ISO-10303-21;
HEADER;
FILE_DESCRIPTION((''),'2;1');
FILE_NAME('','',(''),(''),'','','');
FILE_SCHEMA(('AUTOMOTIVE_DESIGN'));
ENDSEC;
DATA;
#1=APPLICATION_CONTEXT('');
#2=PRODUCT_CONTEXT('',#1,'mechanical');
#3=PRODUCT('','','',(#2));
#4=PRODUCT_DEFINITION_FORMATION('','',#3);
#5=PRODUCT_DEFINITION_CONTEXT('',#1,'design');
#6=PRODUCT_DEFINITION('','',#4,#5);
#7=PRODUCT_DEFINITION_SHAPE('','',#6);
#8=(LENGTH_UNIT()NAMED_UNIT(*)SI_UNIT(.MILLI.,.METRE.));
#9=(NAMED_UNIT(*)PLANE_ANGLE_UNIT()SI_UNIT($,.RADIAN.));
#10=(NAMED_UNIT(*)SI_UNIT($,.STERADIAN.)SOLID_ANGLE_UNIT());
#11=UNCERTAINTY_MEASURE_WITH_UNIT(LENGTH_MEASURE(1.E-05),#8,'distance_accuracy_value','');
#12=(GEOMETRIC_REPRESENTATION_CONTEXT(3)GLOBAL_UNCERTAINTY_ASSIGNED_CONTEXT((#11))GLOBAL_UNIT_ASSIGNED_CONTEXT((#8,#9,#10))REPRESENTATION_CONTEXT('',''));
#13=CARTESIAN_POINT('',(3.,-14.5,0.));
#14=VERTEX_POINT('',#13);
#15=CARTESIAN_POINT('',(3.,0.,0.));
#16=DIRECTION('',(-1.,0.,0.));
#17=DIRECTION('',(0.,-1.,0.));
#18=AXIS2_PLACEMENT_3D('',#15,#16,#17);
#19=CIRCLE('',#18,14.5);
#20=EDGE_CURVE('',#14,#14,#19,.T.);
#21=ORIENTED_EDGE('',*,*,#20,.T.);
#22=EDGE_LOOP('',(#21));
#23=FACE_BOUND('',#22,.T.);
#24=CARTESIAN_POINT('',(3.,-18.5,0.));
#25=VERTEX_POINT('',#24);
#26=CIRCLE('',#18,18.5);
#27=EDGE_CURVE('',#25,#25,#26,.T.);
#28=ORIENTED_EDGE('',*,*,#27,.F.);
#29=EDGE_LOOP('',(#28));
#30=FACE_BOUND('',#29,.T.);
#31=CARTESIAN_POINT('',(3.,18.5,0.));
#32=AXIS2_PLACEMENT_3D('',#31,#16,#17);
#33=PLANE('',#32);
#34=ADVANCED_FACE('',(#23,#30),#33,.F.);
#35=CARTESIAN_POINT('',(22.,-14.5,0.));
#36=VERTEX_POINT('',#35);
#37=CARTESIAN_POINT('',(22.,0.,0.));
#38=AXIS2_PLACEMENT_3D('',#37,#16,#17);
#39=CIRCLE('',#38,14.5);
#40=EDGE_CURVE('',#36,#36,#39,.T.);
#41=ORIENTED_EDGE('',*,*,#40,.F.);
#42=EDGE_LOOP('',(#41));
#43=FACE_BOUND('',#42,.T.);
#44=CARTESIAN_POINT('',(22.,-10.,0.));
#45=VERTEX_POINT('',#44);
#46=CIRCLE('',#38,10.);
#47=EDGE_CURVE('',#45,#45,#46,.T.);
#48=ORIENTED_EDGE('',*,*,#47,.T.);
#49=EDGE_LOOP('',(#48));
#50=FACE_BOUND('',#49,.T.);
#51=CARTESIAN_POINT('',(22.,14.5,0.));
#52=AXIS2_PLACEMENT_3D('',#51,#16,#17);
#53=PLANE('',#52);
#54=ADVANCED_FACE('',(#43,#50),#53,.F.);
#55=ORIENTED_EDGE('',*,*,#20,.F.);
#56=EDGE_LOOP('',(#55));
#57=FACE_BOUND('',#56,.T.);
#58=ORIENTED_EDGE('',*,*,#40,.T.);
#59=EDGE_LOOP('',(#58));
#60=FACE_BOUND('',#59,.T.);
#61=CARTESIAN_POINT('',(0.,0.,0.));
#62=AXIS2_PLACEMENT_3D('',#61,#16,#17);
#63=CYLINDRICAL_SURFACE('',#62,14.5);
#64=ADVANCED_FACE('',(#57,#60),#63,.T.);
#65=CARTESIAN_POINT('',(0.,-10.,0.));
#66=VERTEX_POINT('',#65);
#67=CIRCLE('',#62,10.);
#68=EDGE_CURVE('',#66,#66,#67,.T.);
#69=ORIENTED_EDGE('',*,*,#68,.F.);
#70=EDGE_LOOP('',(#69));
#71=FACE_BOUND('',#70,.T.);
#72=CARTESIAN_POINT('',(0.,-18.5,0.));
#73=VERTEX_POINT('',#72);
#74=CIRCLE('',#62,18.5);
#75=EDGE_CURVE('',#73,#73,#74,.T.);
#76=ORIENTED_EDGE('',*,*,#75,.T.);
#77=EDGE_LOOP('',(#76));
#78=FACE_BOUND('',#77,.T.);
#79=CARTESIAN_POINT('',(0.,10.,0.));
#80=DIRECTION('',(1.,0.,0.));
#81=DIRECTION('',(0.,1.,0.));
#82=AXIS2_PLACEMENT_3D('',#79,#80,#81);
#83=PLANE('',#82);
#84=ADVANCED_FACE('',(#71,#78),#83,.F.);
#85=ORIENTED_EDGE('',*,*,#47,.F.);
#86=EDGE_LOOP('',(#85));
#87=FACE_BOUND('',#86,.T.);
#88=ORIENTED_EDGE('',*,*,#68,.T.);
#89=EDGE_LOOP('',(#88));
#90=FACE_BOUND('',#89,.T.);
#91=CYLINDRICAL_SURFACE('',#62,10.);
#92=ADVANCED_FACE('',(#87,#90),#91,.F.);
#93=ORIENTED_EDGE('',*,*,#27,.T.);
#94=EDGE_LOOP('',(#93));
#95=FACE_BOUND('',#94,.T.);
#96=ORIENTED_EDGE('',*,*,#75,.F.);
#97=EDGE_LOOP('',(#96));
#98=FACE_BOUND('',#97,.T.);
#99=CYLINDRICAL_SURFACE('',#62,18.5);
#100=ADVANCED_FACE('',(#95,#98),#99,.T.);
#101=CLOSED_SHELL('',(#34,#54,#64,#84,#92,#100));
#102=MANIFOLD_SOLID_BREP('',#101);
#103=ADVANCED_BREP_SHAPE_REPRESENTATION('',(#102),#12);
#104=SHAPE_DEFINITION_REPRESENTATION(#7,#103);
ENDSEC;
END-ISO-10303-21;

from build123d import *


with BuildPart() as part:
    # Esquisse2 → Base-Révolution (revolve)
    with BuildSketch(Plane.XY, mode=Mode.PRIVATE) as base_r_volution_sk:
        Polygon((0, 10), (0, 18.5), (3, 18.5), (3, 14.5), (22, 14.5), (22, 10), align=None)
    revolve(base_r_volution_sk.sketch.rotate(Axis((0, 0, 0), (1, 0, 0)), 180), axis=Axis((0, 0, 0), (1, 0, 0)))


solid = part.part
